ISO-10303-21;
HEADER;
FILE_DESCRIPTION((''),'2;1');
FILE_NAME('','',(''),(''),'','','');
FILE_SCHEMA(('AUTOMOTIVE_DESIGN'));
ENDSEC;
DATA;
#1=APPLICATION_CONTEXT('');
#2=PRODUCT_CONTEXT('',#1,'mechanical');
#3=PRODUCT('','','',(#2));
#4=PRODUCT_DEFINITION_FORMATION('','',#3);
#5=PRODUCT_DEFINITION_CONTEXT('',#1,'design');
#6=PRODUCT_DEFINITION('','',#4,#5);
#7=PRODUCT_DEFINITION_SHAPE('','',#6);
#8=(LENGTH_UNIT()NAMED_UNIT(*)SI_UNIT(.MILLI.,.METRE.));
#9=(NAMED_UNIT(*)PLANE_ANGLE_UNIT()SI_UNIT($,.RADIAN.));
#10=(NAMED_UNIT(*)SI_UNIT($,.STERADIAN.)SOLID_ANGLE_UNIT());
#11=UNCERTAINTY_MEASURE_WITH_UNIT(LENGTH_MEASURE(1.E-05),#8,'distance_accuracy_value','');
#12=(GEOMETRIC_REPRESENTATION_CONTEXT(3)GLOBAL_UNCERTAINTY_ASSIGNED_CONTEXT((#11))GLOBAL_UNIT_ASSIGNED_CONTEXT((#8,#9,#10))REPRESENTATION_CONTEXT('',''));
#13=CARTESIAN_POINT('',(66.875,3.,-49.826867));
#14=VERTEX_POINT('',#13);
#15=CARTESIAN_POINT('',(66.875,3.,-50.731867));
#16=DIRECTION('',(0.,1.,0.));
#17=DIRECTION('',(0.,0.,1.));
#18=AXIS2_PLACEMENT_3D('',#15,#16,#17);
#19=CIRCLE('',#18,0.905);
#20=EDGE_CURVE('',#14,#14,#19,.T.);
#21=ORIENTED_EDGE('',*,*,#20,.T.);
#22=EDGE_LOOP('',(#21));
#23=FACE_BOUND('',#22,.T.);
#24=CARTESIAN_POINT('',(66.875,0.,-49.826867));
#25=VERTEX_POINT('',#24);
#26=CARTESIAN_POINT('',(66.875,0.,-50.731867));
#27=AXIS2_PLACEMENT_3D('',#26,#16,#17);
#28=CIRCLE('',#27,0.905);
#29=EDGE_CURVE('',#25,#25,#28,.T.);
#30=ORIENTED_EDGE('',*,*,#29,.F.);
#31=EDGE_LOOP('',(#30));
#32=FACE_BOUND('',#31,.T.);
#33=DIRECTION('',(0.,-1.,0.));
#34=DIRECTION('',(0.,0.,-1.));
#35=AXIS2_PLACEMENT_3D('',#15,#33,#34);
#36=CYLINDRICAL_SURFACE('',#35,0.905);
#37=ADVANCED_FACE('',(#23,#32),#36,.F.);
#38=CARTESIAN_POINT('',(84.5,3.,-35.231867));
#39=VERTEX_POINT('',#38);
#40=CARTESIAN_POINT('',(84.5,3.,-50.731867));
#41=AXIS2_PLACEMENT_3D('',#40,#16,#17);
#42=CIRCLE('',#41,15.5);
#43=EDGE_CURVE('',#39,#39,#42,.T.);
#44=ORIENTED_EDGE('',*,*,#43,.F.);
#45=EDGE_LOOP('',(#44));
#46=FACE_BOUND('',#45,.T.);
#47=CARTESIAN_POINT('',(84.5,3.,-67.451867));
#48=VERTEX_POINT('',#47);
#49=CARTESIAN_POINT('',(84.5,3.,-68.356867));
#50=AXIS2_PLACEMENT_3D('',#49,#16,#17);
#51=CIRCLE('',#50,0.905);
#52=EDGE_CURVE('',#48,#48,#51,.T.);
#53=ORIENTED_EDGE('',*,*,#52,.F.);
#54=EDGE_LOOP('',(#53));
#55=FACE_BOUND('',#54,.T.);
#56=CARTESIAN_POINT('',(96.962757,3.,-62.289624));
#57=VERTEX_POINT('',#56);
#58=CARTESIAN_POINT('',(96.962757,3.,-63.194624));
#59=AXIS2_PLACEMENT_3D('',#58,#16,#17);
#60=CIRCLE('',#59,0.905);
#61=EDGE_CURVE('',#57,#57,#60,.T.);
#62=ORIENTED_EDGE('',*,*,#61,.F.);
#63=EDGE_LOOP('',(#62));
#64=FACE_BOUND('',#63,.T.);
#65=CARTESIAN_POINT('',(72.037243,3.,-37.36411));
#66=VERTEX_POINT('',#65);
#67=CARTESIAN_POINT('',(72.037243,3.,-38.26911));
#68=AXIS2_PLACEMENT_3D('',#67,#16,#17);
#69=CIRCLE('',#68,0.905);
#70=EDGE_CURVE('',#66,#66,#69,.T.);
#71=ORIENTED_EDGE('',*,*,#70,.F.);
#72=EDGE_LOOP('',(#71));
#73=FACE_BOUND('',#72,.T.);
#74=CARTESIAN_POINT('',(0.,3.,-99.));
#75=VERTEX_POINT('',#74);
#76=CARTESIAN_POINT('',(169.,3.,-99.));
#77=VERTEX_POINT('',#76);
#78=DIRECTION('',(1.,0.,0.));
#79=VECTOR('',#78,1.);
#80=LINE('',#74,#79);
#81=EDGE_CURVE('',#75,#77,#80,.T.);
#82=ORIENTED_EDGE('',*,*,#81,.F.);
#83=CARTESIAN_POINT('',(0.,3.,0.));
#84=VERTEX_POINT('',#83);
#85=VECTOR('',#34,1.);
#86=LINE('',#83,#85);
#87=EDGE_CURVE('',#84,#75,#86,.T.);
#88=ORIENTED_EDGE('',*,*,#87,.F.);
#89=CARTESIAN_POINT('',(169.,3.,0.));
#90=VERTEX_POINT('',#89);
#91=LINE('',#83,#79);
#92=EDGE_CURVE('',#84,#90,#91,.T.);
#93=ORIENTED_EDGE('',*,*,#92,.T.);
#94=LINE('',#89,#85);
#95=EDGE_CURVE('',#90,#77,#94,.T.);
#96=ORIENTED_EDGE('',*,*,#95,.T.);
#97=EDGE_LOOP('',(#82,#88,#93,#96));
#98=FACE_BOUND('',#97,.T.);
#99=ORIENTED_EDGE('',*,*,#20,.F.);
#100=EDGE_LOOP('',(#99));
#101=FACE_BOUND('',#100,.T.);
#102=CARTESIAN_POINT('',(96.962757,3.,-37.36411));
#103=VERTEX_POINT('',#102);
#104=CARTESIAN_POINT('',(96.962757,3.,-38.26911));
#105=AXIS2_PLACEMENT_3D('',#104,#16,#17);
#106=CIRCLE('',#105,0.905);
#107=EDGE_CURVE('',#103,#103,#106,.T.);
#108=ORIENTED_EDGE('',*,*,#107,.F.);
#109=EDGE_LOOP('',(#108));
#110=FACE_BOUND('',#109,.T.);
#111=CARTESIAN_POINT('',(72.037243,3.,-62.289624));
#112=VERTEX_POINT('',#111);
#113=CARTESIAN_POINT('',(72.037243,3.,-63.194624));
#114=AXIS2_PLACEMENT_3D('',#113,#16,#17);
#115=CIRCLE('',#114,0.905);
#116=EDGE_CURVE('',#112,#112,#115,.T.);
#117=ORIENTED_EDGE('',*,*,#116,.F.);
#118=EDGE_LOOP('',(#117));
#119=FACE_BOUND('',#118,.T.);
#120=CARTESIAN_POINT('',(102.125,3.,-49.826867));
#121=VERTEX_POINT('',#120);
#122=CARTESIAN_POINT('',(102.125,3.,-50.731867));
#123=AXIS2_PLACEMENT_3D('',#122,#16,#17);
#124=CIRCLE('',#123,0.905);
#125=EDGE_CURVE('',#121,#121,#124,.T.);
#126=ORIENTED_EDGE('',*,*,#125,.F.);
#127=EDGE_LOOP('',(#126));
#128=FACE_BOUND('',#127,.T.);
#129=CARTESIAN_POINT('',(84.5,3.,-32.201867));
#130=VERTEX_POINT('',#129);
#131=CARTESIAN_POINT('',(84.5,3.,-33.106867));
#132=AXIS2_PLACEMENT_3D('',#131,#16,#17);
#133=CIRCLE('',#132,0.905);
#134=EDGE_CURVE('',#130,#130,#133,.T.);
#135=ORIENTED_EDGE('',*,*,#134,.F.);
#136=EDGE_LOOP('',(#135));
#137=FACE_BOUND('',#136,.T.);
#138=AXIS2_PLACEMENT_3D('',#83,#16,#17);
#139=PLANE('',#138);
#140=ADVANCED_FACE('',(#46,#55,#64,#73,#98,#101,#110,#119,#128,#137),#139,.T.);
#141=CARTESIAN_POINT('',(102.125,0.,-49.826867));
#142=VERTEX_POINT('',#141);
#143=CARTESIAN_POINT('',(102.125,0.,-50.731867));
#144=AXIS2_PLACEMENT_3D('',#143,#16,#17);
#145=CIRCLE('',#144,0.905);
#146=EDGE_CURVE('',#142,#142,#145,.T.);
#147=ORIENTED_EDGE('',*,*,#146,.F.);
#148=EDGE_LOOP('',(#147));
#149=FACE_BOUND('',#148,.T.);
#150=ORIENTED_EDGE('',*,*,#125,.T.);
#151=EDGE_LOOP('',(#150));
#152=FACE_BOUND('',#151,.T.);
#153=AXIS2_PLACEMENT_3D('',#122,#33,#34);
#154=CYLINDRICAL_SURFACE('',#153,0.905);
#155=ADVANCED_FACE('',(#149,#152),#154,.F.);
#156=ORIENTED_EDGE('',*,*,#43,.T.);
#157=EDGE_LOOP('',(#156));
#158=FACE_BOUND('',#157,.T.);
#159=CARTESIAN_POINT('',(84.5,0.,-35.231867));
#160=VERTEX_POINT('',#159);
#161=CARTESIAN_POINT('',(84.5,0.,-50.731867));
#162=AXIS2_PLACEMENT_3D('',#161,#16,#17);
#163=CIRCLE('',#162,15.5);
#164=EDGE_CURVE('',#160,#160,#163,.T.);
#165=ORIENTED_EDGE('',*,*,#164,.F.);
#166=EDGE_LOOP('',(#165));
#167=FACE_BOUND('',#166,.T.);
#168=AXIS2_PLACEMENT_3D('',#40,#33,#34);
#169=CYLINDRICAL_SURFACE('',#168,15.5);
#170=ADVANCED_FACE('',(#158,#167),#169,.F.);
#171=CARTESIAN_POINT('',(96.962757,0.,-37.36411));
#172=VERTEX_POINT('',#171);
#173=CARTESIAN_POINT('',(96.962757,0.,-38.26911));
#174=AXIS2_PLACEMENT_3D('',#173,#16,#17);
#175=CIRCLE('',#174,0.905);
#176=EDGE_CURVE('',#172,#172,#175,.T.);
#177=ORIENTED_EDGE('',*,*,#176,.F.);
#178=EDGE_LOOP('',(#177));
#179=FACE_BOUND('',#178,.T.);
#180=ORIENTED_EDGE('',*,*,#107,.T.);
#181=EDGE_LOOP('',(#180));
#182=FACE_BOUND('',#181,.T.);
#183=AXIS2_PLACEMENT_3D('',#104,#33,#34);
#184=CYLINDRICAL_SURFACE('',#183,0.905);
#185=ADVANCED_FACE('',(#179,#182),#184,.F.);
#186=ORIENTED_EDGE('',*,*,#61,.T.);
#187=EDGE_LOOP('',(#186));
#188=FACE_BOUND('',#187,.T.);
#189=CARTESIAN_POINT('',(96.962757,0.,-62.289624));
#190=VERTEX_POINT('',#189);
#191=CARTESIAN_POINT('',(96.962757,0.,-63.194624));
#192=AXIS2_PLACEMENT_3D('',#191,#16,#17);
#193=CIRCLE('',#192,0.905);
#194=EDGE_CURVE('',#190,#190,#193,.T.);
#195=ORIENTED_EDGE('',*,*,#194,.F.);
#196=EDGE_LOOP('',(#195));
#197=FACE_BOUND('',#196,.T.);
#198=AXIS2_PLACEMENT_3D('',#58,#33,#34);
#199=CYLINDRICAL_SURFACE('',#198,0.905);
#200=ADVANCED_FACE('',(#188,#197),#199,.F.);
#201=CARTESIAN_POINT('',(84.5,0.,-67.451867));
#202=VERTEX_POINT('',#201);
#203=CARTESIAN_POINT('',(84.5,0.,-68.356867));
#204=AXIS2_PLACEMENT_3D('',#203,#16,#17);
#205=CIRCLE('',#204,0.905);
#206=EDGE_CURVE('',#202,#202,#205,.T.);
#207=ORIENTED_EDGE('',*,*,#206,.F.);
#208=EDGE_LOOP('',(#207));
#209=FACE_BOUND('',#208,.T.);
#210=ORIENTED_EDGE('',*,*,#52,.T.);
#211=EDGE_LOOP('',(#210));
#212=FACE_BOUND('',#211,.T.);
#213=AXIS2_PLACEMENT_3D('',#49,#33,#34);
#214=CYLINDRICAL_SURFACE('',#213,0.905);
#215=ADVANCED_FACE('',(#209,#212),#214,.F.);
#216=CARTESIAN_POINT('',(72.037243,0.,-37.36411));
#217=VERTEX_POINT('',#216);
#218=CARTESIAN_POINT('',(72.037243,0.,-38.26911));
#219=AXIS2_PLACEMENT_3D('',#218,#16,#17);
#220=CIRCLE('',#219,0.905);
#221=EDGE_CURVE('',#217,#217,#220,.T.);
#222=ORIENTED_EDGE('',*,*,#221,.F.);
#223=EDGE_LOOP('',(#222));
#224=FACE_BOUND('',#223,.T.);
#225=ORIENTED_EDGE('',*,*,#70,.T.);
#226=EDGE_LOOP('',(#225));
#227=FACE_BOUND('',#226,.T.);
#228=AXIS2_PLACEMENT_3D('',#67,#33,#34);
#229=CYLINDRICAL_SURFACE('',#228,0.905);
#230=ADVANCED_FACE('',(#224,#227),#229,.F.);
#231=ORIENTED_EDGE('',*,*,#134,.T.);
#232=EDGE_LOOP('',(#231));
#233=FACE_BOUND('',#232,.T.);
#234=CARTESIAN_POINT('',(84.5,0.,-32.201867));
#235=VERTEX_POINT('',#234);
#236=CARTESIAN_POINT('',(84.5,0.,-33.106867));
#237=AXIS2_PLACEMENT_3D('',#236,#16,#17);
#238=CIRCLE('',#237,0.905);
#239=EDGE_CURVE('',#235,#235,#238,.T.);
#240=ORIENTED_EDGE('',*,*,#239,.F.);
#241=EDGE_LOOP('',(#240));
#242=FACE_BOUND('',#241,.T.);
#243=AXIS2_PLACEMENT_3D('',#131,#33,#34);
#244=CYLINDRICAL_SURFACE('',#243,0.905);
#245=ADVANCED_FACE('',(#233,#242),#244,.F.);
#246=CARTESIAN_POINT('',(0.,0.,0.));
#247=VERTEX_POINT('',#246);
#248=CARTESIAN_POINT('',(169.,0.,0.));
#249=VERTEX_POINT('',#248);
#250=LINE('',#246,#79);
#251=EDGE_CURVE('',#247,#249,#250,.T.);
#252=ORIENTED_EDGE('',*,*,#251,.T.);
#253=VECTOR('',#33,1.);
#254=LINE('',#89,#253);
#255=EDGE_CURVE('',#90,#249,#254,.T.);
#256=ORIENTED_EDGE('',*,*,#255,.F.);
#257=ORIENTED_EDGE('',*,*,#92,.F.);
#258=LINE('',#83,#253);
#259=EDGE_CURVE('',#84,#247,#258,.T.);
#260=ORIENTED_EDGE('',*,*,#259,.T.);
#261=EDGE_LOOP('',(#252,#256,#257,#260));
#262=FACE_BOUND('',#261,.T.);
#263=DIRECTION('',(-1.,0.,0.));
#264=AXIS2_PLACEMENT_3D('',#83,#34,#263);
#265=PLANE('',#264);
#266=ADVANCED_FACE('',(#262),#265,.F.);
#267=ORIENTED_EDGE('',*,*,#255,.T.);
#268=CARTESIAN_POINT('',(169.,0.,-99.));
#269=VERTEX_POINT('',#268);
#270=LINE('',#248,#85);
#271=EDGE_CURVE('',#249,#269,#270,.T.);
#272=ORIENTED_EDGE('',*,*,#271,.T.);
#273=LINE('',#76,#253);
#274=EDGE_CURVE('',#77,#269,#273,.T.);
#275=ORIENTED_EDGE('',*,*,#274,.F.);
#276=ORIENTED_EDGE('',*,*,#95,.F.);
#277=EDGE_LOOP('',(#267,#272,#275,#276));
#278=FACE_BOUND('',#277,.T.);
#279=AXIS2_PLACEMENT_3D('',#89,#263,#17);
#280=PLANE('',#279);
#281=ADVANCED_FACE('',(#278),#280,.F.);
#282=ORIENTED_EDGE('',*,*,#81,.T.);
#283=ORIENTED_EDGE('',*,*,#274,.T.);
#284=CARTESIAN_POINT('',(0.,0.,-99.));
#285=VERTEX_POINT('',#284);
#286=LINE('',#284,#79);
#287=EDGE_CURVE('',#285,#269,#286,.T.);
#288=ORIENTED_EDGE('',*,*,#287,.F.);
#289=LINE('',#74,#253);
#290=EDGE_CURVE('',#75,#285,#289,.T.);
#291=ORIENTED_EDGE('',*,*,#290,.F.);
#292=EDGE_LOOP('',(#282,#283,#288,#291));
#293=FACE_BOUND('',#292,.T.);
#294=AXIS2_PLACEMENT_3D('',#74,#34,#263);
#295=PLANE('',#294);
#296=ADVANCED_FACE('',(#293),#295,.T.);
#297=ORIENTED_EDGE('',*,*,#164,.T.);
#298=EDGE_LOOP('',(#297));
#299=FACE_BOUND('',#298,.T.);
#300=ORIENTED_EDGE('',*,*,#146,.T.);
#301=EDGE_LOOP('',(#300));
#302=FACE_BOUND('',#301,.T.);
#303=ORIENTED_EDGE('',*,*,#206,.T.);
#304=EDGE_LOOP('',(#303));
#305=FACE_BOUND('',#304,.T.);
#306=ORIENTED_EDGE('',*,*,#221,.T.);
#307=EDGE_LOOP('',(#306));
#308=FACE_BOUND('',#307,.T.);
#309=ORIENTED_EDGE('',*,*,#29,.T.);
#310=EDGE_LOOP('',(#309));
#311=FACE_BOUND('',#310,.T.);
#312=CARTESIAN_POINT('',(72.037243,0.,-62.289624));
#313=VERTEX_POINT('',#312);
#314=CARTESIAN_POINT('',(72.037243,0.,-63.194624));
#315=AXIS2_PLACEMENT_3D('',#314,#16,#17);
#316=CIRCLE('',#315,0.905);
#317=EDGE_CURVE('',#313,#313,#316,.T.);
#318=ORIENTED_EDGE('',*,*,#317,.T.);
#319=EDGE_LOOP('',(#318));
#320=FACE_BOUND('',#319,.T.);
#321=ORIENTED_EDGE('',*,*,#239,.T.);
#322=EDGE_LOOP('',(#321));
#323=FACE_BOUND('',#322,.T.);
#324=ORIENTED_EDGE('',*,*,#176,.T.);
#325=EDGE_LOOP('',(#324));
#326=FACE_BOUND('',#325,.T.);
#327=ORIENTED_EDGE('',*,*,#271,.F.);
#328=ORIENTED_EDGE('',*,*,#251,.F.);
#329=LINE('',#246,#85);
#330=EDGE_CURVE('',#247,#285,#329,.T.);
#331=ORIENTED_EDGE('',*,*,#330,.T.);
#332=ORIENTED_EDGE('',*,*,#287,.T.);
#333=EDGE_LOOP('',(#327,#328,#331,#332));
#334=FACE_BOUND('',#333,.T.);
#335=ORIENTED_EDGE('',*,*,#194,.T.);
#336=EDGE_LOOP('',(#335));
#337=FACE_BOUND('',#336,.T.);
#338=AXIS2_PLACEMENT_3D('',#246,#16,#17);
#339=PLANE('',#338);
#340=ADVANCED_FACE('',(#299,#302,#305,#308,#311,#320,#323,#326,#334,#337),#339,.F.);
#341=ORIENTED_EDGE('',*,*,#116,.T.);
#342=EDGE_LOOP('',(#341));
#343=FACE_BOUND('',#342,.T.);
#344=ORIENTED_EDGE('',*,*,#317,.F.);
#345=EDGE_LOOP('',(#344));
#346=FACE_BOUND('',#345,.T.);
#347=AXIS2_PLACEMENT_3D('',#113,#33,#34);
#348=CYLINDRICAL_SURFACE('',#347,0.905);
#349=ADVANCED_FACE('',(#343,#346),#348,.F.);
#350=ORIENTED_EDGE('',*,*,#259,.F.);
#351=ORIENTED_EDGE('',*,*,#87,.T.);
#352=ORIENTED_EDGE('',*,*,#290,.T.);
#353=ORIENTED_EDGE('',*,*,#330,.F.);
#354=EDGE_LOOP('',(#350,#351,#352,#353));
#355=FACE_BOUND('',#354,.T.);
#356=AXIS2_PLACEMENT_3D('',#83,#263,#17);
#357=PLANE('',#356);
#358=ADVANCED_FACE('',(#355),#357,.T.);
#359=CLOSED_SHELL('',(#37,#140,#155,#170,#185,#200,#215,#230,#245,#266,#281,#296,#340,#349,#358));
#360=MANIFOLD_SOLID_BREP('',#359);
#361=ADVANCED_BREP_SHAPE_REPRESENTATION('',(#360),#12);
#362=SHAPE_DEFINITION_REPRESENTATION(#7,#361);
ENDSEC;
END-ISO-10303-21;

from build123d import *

# Parameters (mm, degrees)
SKETCH1_W           = 169
SKETCH1_H           = 99
SKETCH1_R           = 15.5
SKETCH1_R_2         = 0.905
BOSS_EXTRUDE4_DEPTH = 3


with BuildPart() as part:
    # Sketch1 → Boss-Extrude4 (new body)
    with BuildSketch(Plane(origin=(0, 0, 0), x_dir=(1, 0, 0), z_dir=(0, 1, 0))):
        with Locations((84.5, 49.5)):
            Rectangle(SKETCH1_W, SKETCH1_H)
        with Locations(Location((84.5, 50.731867025, 0), (0, 0, 270))):
            Circle(SKETCH1_R, mode=Mode.SUBTRACT)
        with Locations(Location((84.5, 68.356867025, 0), (0, 0, 270))):
            Circle(SKETCH1_R_2, mode=Mode.SUBTRACT)
        with Locations(Location((96.962757018, 63.194624043, 0), (0, 0, 270))):
            Circle(SKETCH1_R_2, mode=Mode.SUBTRACT)
        with Locations(Location((102.125, 50.731867025, 0), (0, 0, 270))):
            Circle(SKETCH1_R_2, mode=Mode.SUBTRACT)
        with Locations(Location((96.962757018, 38.269110006, 0), (0, 0, 270))):
            Circle(SKETCH1_R_2, mode=Mode.SUBTRACT)
        with Locations(Location((84.5, 33.106867025, 0), (0, 0, 270))):
            Circle(SKETCH1_R_2, mode=Mode.SUBTRACT)
        with Locations(Location((72.037242982, 38.269110006, 0), (0, 0, 270))):
            Circle(SKETCH1_R_2, mode=Mode.SUBTRACT)
        with Locations(Location((66.875, 50.731867025, 0), (0, 0, 270))):
            Circle(SKETCH1_R_2, mode=Mode.SUBTRACT)
        with Locations(Location((72.037242982, 63.194624043, 0), (0, 0, 270))):
            Circle(SKETCH1_R_2, mode=Mode.SUBTRACT)
    extrude(amount=BOSS_EXTRUDE4_DEPTH)


solid = part.part
